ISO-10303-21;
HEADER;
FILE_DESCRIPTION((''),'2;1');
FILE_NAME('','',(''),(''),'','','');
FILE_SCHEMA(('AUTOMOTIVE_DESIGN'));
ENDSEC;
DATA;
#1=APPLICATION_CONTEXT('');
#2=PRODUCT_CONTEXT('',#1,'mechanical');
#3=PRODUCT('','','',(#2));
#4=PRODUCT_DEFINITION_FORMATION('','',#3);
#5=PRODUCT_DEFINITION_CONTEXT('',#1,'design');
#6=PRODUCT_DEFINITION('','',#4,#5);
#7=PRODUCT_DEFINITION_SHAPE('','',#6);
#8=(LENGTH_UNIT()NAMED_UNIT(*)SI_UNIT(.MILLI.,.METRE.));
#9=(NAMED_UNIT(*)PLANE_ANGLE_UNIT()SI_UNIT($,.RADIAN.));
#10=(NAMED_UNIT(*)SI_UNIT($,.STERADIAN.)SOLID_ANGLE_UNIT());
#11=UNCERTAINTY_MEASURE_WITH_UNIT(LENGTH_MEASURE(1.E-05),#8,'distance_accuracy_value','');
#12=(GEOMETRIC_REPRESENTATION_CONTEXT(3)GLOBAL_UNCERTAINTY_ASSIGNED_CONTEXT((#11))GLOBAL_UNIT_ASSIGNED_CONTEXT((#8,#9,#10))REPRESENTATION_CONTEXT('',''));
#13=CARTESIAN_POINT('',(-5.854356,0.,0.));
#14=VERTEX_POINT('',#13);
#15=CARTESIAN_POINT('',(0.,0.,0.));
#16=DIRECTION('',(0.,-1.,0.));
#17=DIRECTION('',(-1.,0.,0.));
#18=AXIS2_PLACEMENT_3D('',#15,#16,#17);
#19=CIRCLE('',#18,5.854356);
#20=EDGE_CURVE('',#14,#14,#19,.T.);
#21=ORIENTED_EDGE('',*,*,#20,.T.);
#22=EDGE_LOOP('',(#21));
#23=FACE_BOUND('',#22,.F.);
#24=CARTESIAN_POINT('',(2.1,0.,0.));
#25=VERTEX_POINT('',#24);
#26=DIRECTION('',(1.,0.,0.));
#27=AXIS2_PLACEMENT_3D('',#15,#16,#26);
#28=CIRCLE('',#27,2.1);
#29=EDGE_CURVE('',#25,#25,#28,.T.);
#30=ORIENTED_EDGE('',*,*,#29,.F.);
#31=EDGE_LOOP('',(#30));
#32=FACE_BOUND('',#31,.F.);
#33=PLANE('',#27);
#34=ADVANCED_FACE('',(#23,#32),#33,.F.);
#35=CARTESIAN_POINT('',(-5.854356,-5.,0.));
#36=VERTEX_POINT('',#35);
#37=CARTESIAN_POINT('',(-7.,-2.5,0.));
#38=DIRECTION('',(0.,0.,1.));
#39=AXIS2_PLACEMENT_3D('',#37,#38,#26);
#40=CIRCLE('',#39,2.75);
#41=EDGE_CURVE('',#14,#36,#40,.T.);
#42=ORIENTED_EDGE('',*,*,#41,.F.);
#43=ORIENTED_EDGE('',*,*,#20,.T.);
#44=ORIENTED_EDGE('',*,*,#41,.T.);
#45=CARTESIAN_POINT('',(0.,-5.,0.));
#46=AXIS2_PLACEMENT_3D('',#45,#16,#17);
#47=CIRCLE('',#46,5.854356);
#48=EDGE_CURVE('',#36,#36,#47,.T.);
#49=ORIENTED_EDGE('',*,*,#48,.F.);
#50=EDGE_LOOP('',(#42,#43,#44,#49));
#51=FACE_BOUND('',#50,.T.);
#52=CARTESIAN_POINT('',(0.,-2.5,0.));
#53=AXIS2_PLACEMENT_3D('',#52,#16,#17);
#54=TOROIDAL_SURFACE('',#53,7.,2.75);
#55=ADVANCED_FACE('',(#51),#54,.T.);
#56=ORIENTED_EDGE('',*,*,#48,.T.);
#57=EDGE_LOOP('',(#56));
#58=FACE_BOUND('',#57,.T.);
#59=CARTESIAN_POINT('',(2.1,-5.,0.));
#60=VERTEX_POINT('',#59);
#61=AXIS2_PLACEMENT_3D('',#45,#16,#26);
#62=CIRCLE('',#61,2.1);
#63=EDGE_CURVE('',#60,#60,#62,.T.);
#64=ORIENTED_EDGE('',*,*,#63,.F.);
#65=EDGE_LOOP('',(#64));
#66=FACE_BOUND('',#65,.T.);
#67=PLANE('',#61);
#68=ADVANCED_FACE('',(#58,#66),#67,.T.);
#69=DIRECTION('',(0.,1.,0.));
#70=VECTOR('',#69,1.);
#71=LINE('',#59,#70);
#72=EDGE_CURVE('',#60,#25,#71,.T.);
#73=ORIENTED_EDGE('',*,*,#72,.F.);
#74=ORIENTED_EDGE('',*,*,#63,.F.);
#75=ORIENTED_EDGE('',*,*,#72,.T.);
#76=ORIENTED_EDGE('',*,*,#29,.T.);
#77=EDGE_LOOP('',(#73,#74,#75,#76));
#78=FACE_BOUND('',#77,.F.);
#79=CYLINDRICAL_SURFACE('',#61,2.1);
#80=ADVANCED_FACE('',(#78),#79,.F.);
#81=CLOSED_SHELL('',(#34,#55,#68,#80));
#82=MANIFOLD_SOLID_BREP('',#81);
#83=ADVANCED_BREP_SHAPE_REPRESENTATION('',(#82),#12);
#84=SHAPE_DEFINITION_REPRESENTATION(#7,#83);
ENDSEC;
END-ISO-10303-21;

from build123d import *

# Parameters (mm, degrees)
F0_R     = 7
F1_DEPTH = 5
F2_R     = 2.75
F4_R     = 2.1
F5_DEPTH = 5.251


with BuildPart() as f1:
    # F0 (on Front) → F1 (new body)
    with BuildSketch(Plane.XZ):
        Circle(F0_R)
    extrude(amount=F1_DEPTH)

    # F2 (on Top) → F3 (revolve)
    with BuildSketch(Plane.XY):
        with Locations((-7, -2.5)):
            Circle(F2_R)
    revolve(axis=Axis((0, -5, 0), (0, -1, 0)))

    # F4 (on face) → F5 (cut, through all)
    with BuildSketch(Plane.XZ.offset(5)):
        Circle(F4_R)
    extrude(amount=-F5_DEPTH, mode=Mode.SUBTRACT)


solid = f1.part
